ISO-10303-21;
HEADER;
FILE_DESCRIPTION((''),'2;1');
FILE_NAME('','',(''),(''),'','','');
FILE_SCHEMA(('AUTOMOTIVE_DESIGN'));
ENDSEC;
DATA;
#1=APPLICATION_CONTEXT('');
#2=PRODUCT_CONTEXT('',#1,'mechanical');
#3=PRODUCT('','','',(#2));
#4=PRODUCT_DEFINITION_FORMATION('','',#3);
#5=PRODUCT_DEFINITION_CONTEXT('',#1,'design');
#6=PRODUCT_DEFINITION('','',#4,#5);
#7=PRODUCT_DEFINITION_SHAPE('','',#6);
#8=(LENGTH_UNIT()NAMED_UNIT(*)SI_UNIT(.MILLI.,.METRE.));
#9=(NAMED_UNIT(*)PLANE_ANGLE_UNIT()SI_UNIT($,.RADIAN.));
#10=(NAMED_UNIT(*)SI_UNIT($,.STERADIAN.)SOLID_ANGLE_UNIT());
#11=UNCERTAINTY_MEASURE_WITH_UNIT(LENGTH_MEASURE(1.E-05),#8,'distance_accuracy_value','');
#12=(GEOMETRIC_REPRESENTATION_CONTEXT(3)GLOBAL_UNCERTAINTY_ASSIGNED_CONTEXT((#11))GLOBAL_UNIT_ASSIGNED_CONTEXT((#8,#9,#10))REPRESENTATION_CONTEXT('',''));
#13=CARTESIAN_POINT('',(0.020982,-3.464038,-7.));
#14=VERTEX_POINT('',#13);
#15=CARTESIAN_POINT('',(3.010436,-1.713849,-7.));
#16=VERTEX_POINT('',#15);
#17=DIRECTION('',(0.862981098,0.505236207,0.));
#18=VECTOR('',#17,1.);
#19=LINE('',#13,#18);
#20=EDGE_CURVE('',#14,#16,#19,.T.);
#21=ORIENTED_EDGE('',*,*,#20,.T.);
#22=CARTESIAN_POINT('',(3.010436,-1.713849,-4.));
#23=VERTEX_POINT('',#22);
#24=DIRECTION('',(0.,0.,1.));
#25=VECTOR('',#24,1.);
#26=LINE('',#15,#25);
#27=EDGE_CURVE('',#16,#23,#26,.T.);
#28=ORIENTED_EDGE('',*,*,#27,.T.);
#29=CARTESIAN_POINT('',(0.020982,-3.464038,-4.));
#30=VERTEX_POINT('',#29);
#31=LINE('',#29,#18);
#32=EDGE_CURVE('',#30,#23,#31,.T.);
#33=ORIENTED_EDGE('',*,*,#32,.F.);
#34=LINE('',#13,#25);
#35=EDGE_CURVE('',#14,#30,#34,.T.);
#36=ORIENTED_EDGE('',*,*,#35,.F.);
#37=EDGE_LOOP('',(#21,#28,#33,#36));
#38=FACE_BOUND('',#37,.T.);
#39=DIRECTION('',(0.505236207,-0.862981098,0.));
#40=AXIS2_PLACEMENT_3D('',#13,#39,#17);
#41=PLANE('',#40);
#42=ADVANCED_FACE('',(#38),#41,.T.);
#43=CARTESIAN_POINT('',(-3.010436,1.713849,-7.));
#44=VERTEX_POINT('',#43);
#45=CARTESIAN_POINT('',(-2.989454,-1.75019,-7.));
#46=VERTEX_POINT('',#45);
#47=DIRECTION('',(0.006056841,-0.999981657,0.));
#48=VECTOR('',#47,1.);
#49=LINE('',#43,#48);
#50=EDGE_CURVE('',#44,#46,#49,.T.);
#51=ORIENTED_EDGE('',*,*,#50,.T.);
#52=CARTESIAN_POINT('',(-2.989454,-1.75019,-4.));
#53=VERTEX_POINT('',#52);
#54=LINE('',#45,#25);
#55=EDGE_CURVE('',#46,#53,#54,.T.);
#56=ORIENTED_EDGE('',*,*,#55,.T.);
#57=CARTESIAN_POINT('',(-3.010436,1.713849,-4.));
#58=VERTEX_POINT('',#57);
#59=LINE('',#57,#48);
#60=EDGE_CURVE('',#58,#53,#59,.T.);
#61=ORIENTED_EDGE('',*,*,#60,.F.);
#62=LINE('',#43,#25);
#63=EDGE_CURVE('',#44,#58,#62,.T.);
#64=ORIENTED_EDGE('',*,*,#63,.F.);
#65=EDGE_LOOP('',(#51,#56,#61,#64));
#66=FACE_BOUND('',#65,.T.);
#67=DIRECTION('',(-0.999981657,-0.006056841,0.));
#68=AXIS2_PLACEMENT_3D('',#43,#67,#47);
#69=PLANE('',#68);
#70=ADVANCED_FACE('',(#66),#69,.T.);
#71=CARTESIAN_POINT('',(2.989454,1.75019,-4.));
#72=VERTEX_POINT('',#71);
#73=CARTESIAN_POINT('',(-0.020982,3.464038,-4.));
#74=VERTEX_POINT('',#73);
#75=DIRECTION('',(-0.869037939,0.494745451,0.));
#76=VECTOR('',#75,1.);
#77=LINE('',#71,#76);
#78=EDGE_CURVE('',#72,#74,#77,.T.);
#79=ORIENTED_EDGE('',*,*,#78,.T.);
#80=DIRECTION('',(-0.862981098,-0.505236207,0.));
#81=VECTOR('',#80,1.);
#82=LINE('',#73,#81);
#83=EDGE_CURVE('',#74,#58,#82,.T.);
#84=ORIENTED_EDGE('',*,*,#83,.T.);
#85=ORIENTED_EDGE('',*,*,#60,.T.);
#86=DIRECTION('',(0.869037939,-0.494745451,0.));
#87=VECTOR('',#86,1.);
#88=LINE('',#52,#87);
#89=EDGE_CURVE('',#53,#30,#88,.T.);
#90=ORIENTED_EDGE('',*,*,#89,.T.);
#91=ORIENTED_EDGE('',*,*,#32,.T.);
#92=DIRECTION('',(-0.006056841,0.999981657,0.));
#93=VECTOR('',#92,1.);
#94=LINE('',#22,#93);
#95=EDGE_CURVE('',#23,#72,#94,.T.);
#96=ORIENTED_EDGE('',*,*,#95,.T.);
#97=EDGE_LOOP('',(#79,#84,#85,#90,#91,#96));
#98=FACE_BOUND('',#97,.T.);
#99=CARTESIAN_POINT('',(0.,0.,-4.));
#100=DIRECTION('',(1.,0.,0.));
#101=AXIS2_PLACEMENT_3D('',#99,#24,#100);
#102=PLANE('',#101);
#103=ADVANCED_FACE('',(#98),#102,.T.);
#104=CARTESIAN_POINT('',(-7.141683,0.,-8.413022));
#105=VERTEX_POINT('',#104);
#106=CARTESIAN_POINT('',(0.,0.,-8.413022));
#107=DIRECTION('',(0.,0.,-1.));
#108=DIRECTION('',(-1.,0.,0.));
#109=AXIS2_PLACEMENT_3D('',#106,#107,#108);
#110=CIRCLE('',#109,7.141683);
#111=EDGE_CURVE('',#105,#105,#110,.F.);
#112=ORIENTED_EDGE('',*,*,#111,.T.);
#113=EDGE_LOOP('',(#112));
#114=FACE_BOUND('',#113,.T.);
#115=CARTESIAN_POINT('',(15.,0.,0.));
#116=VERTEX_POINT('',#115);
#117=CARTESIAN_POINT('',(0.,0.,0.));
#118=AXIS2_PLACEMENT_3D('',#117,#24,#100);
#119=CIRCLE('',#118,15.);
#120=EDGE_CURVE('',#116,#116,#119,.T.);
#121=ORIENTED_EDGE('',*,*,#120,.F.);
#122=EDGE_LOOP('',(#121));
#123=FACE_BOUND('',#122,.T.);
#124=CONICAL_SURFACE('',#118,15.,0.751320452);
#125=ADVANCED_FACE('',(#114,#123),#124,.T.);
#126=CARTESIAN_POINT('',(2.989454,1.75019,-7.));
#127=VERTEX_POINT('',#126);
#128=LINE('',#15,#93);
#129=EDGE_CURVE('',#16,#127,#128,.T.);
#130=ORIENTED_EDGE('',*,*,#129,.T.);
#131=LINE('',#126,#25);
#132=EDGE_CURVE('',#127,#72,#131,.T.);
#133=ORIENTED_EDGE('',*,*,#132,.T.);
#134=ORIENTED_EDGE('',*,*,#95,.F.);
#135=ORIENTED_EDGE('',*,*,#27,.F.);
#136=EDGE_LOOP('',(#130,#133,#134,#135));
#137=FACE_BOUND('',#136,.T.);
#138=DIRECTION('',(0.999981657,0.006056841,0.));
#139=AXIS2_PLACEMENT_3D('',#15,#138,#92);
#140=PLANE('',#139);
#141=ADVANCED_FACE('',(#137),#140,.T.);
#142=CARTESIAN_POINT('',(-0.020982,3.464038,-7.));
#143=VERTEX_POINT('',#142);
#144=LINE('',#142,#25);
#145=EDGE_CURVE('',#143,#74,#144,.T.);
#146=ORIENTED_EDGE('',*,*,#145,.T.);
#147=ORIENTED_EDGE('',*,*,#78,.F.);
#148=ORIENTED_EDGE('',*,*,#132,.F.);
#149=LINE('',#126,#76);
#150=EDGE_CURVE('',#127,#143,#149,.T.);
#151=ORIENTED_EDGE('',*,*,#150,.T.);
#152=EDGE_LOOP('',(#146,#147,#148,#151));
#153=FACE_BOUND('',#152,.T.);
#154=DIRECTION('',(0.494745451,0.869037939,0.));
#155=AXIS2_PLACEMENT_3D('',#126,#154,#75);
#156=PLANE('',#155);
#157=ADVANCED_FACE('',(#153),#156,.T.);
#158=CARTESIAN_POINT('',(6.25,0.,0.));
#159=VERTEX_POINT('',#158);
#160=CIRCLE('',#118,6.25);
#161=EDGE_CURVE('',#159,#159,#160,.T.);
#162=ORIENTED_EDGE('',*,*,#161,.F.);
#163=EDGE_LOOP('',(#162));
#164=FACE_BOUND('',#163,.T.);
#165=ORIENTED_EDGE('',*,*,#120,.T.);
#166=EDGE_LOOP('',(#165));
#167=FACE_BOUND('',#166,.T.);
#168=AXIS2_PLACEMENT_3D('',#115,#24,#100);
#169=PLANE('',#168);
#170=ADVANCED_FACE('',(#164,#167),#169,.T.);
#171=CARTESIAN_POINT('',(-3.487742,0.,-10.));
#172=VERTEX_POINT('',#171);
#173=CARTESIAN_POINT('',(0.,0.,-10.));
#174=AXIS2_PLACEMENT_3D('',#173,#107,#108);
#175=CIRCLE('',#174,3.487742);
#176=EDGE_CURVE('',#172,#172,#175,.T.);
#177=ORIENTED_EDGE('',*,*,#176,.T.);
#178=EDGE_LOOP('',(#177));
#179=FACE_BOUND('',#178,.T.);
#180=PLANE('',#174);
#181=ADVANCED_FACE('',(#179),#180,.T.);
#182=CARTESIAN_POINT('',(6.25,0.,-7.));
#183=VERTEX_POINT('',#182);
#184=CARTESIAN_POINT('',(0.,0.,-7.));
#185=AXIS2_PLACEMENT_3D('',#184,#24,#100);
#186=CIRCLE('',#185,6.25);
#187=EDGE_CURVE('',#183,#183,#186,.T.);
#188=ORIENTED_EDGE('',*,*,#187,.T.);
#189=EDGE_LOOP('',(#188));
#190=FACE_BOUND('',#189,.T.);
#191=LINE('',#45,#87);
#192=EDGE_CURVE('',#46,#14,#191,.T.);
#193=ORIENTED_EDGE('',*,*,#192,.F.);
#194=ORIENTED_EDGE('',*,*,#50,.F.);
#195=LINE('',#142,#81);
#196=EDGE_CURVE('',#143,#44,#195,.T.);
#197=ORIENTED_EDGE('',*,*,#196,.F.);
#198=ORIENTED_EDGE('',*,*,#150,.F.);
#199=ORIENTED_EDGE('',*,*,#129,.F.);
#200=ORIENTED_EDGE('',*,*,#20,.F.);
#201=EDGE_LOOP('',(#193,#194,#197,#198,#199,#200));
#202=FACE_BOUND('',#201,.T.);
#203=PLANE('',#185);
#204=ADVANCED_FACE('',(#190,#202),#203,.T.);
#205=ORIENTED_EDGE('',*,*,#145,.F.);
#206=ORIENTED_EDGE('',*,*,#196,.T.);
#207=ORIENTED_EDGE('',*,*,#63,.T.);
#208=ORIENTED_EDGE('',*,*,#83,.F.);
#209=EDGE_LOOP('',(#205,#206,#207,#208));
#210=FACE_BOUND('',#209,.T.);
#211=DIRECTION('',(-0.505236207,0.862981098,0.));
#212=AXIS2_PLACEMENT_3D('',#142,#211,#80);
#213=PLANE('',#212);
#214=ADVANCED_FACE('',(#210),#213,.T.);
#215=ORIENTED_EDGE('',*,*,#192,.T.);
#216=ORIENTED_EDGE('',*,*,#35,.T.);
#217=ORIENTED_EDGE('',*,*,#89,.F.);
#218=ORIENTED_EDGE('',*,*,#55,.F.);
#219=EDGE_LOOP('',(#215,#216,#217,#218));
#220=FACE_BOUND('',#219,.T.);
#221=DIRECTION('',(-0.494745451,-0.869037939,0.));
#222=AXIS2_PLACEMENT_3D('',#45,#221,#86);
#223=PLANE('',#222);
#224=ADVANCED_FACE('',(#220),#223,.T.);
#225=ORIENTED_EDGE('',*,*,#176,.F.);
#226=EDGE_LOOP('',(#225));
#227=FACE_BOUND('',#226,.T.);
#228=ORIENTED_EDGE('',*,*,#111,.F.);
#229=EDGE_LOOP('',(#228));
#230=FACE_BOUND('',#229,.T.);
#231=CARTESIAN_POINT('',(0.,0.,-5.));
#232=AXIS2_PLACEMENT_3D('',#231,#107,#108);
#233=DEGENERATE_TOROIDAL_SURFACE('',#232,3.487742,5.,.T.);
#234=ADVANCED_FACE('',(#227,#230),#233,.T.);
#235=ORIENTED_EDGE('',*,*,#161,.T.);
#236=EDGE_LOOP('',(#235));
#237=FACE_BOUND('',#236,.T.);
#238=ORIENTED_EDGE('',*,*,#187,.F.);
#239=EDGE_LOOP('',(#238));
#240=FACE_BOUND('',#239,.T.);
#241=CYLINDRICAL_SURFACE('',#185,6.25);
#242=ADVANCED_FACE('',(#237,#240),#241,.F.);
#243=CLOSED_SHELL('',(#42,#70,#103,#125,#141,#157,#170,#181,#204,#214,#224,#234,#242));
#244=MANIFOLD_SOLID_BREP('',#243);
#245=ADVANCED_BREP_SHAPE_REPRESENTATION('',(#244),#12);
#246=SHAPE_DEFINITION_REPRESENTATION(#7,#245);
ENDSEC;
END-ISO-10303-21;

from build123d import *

# Parameters (mm, degrees)
SKETCH2_R          = 6.25
CUT_EXTRUDE1_DEPTH = 7
CUT_EXTRUDE2_DEPTH = 4
FILLET1_R          = 5


with BuildPart() as part:
    # Sketch1 → Revolve1 (revolve)
    with BuildSketch(Plane(origin=(0, 0, 0), x_dir=(1, 0, 0), z_dir=(0, 1, 0))):
        Polygon((0, 0), (0, 10), (5.659340659, 10), (15, 0), align=None)
    revolve(axis=Axis((0, 0, 0), (0, 0, -1)))

    # Sketch2 → Cut-Extrude1 (cut)
    with BuildSketch(Plane.XY):
        Circle(SKETCH2_R)
        Polygon((2.989454216, 1.750189559), (-0.020981512, 3.464038074), (-3.010435727, 1.713848515), (-2.989454216, -1.750189559), (0.020981512, -3.464038074), (3.010435727, -1.713848515), align=None, mode=Mode.SUBTRACT)
    extrude(amount=-CUT_EXTRUDE1_DEPTH, mode=Mode.SUBTRACT)

    # Sketch4 → Cut-Extrude2 (cut)
    with BuildSketch(Plane.XY):
        Polygon((-0.020981512, 3.464038074), (-3.010435727, 1.713848515), (-2.989454216, -1.750189559), (0.020981512, -3.464038074), (3.010435727, -1.713848515), (2.989454216, 1.750189559), align=None)
    extrude(amount=-CUT_EXTRUDE2_DEPTH, mode=Mode.SUBTRACT)

    # Fillet1
    fillet1_edges = [part.edges().sort_by_distance(p)[0] for p in [
        (-5.659340659, 0, -10),
    ]]
    fillet(fillet1_edges, radius=FILLET1_R)


solid = part.part
